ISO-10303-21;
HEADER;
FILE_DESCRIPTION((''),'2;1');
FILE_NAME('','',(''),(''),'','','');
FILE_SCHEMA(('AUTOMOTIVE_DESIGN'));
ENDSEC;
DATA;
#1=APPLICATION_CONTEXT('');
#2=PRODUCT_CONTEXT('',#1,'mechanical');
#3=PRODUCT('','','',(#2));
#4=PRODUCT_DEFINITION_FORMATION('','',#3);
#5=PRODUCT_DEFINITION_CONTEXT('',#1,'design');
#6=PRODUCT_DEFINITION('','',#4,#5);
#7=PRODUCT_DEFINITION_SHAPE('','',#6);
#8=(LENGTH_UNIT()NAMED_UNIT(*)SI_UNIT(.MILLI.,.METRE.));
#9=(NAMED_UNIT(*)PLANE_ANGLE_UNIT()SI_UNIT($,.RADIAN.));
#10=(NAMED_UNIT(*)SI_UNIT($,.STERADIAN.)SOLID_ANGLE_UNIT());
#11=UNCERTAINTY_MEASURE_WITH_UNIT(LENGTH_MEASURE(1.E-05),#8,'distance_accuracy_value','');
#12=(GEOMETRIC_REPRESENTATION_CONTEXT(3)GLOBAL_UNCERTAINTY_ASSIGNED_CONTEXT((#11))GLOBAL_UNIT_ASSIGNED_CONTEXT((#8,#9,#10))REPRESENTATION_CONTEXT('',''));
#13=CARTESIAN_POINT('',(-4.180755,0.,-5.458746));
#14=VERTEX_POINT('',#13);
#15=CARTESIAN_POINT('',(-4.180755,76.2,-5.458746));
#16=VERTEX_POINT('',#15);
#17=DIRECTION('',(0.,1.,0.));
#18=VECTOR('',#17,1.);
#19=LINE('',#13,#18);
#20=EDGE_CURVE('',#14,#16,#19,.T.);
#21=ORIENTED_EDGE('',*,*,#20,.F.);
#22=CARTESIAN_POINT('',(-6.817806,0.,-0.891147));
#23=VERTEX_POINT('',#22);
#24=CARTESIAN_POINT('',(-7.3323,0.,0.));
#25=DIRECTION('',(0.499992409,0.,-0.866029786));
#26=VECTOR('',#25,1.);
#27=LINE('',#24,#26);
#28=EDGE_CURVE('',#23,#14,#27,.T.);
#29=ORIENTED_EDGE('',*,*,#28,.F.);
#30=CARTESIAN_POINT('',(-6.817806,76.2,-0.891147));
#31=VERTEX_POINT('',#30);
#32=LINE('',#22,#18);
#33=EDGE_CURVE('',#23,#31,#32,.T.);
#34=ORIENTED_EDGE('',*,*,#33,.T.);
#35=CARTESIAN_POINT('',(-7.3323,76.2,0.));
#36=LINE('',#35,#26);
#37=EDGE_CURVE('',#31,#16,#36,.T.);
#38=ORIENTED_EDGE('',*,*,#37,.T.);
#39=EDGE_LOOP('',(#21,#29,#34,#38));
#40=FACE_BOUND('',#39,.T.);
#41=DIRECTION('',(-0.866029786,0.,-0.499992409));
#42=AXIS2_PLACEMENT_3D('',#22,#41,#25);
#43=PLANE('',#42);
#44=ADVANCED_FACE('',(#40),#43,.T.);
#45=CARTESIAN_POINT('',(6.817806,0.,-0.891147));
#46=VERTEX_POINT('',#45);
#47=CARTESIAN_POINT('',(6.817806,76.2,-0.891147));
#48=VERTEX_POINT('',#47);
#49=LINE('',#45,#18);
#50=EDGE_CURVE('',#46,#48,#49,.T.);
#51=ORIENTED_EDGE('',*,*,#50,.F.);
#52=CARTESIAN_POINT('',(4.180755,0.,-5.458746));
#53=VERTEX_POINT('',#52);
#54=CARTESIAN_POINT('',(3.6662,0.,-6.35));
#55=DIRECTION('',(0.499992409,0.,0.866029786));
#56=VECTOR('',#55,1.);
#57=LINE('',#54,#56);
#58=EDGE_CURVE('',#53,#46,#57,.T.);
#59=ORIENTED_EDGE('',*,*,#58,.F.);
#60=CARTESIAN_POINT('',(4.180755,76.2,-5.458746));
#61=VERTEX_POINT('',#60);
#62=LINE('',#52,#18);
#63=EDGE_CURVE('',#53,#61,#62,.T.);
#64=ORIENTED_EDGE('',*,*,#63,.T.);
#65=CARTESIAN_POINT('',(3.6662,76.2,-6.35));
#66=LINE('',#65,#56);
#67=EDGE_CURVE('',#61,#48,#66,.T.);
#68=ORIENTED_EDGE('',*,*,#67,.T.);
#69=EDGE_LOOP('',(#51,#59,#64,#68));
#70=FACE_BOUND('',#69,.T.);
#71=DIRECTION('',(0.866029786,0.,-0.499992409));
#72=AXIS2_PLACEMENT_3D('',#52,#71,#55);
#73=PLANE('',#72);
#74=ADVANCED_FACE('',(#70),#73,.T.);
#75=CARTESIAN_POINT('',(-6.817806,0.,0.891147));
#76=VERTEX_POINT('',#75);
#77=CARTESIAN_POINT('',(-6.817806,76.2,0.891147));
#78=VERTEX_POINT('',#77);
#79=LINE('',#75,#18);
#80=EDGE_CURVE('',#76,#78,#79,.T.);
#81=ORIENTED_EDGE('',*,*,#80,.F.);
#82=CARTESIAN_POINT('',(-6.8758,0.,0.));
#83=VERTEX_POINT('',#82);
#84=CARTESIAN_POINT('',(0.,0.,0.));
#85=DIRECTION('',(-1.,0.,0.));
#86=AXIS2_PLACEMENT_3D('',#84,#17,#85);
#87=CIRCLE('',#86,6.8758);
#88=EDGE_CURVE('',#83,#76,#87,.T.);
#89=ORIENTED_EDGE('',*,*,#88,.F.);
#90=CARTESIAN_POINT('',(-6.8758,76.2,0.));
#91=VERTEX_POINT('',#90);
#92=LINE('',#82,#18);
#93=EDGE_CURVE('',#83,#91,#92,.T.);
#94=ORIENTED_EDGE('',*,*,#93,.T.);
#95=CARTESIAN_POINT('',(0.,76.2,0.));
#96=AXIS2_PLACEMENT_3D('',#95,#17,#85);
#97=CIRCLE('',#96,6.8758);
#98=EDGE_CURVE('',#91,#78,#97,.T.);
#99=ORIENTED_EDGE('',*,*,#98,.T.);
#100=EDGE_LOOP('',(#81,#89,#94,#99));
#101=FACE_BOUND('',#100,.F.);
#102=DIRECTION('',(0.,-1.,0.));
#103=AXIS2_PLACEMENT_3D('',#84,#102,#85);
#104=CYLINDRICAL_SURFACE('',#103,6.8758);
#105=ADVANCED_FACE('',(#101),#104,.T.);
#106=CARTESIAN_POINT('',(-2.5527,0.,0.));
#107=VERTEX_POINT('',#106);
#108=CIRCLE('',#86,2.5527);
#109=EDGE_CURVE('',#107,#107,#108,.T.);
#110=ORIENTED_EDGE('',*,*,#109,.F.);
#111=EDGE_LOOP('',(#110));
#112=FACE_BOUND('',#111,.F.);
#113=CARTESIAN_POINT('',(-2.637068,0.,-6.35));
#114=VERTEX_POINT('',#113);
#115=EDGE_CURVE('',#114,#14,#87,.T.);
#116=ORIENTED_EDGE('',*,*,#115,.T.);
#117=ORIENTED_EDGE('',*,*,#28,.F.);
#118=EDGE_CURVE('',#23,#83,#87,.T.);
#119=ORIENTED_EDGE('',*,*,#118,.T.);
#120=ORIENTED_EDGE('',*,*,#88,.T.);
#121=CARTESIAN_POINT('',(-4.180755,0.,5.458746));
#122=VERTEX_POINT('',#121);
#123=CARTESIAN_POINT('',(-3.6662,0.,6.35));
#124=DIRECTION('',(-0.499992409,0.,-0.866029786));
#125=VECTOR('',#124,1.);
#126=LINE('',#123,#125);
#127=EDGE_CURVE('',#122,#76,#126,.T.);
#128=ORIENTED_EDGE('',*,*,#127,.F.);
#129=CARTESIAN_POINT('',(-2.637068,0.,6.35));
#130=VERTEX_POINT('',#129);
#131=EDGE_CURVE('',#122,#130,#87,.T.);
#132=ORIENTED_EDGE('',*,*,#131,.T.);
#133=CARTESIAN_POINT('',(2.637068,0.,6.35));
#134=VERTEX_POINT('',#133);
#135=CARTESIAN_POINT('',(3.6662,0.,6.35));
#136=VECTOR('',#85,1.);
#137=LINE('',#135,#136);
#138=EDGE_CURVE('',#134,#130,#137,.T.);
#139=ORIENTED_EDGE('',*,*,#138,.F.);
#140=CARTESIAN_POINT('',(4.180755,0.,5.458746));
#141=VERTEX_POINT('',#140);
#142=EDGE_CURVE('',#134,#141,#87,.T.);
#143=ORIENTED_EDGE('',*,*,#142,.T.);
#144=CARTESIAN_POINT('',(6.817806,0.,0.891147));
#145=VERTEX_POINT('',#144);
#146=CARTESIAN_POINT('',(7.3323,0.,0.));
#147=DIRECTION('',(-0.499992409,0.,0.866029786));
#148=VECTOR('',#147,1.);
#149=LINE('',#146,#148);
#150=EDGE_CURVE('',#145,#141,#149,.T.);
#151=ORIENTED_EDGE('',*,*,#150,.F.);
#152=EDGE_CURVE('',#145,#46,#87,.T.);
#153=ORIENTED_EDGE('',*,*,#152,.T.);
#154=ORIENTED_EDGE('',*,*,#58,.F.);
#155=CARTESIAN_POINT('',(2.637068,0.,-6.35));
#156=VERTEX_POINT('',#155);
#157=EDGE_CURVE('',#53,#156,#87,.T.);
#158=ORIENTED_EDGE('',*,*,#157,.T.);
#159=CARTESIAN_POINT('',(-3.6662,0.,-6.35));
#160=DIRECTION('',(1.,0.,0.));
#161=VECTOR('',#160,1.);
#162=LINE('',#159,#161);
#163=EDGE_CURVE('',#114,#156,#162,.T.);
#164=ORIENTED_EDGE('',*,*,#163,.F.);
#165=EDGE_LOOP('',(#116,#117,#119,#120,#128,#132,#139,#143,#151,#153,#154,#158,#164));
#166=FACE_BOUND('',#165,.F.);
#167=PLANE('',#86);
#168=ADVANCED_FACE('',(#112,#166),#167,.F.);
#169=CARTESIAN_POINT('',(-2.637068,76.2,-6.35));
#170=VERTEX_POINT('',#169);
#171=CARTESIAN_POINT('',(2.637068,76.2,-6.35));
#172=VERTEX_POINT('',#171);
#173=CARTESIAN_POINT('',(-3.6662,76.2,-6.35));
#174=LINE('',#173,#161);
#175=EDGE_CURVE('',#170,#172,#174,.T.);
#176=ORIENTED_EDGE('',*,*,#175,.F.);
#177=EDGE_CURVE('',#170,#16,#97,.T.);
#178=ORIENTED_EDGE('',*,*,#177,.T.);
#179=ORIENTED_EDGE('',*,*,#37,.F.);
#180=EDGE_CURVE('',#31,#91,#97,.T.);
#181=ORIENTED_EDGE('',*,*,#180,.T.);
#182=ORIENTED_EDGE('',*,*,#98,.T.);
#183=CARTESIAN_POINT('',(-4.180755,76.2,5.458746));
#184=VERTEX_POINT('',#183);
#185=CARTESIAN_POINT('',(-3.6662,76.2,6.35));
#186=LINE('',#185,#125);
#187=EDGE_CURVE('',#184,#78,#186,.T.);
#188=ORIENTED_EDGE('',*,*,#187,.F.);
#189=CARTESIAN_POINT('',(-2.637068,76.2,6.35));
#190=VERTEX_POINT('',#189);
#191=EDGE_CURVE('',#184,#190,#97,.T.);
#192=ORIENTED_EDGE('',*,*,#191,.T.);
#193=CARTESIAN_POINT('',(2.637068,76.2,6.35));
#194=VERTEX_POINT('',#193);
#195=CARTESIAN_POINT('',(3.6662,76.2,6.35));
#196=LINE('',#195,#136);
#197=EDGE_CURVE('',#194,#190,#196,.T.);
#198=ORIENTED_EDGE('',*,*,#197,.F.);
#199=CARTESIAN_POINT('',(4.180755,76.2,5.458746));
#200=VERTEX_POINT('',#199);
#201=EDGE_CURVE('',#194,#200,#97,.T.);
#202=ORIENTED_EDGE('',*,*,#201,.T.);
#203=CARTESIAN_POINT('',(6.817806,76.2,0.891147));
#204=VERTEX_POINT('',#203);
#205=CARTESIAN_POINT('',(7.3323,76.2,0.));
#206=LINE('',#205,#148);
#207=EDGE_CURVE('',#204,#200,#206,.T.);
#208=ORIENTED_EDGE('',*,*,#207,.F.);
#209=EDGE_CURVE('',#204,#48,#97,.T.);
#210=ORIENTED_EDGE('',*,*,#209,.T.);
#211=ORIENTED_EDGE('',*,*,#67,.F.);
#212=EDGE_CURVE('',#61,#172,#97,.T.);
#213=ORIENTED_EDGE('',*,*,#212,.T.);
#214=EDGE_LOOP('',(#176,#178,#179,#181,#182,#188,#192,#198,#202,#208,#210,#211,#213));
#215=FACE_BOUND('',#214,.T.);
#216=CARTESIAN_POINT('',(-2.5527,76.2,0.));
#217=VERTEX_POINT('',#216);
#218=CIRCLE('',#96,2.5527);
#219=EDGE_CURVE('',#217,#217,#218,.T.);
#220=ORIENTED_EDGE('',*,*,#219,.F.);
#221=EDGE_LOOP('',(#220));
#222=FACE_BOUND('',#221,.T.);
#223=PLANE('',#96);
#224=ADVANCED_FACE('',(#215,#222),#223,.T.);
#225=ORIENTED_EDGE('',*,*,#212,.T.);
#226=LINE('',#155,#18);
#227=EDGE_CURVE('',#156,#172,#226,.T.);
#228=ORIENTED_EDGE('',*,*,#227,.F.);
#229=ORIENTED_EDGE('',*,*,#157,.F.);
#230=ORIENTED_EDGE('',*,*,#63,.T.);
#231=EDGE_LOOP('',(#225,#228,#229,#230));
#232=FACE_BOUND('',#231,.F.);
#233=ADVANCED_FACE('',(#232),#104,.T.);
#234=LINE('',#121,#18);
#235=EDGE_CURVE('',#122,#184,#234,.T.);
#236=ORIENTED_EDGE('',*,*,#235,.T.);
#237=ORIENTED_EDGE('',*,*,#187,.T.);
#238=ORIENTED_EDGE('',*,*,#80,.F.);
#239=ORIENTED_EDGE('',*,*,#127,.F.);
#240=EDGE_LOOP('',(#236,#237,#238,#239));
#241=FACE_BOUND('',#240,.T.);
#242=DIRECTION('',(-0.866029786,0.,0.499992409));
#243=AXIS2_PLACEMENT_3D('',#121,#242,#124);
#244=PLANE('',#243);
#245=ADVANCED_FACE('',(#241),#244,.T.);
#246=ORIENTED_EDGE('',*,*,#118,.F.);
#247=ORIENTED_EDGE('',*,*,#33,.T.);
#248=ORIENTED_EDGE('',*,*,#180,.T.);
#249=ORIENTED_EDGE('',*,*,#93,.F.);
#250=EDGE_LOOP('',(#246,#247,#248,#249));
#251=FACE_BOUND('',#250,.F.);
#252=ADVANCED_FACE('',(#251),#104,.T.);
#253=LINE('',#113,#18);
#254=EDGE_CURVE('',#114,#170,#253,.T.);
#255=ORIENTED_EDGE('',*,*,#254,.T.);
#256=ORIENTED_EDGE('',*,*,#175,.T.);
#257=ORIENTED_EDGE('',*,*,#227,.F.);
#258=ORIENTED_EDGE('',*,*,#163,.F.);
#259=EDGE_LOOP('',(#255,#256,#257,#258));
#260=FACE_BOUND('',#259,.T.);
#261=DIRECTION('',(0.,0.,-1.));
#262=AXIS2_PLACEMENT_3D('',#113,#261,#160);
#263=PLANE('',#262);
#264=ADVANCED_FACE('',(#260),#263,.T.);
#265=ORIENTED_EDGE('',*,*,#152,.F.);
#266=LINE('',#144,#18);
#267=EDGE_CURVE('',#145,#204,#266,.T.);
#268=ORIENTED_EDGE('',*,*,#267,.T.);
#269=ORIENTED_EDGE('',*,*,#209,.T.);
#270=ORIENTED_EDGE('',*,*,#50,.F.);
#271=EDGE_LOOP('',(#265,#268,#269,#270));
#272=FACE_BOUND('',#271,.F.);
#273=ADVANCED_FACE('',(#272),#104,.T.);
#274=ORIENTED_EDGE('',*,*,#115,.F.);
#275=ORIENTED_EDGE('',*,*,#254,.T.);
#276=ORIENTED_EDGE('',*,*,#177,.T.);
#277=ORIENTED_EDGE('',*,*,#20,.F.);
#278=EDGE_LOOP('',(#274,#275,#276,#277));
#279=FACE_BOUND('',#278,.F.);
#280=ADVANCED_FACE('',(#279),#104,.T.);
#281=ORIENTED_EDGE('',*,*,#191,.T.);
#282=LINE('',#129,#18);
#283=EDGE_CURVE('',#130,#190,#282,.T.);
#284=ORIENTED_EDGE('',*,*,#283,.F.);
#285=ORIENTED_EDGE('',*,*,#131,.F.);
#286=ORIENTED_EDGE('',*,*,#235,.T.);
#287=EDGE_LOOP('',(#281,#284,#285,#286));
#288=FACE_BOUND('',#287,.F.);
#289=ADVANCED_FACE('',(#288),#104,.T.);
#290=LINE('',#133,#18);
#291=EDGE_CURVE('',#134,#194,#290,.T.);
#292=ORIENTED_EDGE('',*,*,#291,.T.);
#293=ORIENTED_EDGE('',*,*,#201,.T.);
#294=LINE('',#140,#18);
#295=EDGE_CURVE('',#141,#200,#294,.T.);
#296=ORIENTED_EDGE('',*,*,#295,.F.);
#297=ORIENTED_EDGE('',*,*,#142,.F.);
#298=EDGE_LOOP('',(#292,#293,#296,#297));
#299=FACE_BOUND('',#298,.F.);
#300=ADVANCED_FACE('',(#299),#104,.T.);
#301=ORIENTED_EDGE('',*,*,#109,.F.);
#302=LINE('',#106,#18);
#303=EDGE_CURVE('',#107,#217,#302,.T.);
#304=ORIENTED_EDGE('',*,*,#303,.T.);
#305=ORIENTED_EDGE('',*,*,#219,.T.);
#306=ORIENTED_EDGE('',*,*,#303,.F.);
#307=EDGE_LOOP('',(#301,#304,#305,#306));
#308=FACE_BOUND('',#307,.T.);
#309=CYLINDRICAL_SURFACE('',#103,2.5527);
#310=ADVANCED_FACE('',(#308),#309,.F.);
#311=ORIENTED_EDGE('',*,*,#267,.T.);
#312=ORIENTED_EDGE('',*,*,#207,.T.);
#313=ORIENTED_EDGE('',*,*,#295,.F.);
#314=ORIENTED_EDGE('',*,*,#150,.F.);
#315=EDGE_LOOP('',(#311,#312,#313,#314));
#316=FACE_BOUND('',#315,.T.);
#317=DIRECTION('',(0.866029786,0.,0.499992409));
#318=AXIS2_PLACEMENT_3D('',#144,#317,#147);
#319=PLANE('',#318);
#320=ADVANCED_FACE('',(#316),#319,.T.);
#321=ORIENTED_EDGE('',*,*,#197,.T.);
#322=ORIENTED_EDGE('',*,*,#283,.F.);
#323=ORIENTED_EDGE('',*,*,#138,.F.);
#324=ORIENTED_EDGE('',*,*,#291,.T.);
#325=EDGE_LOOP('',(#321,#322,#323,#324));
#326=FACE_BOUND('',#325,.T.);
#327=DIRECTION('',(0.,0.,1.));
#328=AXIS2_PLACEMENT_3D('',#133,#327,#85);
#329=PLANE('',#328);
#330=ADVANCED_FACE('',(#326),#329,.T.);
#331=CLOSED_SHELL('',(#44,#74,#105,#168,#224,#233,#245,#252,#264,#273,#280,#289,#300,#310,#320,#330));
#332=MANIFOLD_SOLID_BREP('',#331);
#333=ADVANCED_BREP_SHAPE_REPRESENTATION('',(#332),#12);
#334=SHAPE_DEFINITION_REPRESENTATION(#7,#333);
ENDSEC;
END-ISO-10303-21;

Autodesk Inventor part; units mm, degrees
ref_plane "YZ Plane" through (0, 0, 0) normal (1, 0, 0) x (0, 1, 0)
ref_plane "XZ Plane" through (0, 0, 0) normal (0, 1, 0) x (-1, 0, 0)
ref_plane "XY Plane" through (0, 0, 0) normal (0, 0, 1) x (1, 0, 0)
sketch "Sketch1" plane through (0, 0, 0) normal (0, 1, 0) x (-1, 0, 0)
  line L0 (7.3323, 0) -> (3.6662, -6.35)
  line L1 (3.6662, -6.35) -> (-3.6662, -6.35)
  line L2 (-3.6662, -6.35) -> (-7.3323, 0)
  line L3 (-7.3323, 0) -> (-3.6662, 6.35)
  line L4 (-3.6662, 6.35) -> (3.6662, 6.35)
  line L5 (3.6662, 6.35) -> (7.3323, 0)
  circle A0 centre (0, 0) radius 2.5527
  circle A1 centre (0, 0) radius 6.8758
  point P0 (2.637, -6.35)
  point P1 (4.1808, -5.4587)
  point P2 (6.8178, -0.8913)
  point P3 (6.8178, 0.8913)
  point P4 (4.1808, 5.4587)
  point P5 (2.637, 6.35)
  point P6 (-2.637, 6.35)
  point P7 (-4.1808, 5.4587)
  point P8 (-6.8178, 0.8913)
  point P9 (-6.8178, -0.8913)
  point P10 (-4.1808, -5.4587)
  point P11 (-2.637, -6.35)
  dimension "d0" = 6.35
  dimension "d1" = 5.1054
  dimension "d2" = 13.7516
extrude "Extrusion1" add sketch "Sketch1" along normal blind 76.2 contours L0 A1 L1 L2 L3 L4 L5
properties part number "thunder hex 3in"
